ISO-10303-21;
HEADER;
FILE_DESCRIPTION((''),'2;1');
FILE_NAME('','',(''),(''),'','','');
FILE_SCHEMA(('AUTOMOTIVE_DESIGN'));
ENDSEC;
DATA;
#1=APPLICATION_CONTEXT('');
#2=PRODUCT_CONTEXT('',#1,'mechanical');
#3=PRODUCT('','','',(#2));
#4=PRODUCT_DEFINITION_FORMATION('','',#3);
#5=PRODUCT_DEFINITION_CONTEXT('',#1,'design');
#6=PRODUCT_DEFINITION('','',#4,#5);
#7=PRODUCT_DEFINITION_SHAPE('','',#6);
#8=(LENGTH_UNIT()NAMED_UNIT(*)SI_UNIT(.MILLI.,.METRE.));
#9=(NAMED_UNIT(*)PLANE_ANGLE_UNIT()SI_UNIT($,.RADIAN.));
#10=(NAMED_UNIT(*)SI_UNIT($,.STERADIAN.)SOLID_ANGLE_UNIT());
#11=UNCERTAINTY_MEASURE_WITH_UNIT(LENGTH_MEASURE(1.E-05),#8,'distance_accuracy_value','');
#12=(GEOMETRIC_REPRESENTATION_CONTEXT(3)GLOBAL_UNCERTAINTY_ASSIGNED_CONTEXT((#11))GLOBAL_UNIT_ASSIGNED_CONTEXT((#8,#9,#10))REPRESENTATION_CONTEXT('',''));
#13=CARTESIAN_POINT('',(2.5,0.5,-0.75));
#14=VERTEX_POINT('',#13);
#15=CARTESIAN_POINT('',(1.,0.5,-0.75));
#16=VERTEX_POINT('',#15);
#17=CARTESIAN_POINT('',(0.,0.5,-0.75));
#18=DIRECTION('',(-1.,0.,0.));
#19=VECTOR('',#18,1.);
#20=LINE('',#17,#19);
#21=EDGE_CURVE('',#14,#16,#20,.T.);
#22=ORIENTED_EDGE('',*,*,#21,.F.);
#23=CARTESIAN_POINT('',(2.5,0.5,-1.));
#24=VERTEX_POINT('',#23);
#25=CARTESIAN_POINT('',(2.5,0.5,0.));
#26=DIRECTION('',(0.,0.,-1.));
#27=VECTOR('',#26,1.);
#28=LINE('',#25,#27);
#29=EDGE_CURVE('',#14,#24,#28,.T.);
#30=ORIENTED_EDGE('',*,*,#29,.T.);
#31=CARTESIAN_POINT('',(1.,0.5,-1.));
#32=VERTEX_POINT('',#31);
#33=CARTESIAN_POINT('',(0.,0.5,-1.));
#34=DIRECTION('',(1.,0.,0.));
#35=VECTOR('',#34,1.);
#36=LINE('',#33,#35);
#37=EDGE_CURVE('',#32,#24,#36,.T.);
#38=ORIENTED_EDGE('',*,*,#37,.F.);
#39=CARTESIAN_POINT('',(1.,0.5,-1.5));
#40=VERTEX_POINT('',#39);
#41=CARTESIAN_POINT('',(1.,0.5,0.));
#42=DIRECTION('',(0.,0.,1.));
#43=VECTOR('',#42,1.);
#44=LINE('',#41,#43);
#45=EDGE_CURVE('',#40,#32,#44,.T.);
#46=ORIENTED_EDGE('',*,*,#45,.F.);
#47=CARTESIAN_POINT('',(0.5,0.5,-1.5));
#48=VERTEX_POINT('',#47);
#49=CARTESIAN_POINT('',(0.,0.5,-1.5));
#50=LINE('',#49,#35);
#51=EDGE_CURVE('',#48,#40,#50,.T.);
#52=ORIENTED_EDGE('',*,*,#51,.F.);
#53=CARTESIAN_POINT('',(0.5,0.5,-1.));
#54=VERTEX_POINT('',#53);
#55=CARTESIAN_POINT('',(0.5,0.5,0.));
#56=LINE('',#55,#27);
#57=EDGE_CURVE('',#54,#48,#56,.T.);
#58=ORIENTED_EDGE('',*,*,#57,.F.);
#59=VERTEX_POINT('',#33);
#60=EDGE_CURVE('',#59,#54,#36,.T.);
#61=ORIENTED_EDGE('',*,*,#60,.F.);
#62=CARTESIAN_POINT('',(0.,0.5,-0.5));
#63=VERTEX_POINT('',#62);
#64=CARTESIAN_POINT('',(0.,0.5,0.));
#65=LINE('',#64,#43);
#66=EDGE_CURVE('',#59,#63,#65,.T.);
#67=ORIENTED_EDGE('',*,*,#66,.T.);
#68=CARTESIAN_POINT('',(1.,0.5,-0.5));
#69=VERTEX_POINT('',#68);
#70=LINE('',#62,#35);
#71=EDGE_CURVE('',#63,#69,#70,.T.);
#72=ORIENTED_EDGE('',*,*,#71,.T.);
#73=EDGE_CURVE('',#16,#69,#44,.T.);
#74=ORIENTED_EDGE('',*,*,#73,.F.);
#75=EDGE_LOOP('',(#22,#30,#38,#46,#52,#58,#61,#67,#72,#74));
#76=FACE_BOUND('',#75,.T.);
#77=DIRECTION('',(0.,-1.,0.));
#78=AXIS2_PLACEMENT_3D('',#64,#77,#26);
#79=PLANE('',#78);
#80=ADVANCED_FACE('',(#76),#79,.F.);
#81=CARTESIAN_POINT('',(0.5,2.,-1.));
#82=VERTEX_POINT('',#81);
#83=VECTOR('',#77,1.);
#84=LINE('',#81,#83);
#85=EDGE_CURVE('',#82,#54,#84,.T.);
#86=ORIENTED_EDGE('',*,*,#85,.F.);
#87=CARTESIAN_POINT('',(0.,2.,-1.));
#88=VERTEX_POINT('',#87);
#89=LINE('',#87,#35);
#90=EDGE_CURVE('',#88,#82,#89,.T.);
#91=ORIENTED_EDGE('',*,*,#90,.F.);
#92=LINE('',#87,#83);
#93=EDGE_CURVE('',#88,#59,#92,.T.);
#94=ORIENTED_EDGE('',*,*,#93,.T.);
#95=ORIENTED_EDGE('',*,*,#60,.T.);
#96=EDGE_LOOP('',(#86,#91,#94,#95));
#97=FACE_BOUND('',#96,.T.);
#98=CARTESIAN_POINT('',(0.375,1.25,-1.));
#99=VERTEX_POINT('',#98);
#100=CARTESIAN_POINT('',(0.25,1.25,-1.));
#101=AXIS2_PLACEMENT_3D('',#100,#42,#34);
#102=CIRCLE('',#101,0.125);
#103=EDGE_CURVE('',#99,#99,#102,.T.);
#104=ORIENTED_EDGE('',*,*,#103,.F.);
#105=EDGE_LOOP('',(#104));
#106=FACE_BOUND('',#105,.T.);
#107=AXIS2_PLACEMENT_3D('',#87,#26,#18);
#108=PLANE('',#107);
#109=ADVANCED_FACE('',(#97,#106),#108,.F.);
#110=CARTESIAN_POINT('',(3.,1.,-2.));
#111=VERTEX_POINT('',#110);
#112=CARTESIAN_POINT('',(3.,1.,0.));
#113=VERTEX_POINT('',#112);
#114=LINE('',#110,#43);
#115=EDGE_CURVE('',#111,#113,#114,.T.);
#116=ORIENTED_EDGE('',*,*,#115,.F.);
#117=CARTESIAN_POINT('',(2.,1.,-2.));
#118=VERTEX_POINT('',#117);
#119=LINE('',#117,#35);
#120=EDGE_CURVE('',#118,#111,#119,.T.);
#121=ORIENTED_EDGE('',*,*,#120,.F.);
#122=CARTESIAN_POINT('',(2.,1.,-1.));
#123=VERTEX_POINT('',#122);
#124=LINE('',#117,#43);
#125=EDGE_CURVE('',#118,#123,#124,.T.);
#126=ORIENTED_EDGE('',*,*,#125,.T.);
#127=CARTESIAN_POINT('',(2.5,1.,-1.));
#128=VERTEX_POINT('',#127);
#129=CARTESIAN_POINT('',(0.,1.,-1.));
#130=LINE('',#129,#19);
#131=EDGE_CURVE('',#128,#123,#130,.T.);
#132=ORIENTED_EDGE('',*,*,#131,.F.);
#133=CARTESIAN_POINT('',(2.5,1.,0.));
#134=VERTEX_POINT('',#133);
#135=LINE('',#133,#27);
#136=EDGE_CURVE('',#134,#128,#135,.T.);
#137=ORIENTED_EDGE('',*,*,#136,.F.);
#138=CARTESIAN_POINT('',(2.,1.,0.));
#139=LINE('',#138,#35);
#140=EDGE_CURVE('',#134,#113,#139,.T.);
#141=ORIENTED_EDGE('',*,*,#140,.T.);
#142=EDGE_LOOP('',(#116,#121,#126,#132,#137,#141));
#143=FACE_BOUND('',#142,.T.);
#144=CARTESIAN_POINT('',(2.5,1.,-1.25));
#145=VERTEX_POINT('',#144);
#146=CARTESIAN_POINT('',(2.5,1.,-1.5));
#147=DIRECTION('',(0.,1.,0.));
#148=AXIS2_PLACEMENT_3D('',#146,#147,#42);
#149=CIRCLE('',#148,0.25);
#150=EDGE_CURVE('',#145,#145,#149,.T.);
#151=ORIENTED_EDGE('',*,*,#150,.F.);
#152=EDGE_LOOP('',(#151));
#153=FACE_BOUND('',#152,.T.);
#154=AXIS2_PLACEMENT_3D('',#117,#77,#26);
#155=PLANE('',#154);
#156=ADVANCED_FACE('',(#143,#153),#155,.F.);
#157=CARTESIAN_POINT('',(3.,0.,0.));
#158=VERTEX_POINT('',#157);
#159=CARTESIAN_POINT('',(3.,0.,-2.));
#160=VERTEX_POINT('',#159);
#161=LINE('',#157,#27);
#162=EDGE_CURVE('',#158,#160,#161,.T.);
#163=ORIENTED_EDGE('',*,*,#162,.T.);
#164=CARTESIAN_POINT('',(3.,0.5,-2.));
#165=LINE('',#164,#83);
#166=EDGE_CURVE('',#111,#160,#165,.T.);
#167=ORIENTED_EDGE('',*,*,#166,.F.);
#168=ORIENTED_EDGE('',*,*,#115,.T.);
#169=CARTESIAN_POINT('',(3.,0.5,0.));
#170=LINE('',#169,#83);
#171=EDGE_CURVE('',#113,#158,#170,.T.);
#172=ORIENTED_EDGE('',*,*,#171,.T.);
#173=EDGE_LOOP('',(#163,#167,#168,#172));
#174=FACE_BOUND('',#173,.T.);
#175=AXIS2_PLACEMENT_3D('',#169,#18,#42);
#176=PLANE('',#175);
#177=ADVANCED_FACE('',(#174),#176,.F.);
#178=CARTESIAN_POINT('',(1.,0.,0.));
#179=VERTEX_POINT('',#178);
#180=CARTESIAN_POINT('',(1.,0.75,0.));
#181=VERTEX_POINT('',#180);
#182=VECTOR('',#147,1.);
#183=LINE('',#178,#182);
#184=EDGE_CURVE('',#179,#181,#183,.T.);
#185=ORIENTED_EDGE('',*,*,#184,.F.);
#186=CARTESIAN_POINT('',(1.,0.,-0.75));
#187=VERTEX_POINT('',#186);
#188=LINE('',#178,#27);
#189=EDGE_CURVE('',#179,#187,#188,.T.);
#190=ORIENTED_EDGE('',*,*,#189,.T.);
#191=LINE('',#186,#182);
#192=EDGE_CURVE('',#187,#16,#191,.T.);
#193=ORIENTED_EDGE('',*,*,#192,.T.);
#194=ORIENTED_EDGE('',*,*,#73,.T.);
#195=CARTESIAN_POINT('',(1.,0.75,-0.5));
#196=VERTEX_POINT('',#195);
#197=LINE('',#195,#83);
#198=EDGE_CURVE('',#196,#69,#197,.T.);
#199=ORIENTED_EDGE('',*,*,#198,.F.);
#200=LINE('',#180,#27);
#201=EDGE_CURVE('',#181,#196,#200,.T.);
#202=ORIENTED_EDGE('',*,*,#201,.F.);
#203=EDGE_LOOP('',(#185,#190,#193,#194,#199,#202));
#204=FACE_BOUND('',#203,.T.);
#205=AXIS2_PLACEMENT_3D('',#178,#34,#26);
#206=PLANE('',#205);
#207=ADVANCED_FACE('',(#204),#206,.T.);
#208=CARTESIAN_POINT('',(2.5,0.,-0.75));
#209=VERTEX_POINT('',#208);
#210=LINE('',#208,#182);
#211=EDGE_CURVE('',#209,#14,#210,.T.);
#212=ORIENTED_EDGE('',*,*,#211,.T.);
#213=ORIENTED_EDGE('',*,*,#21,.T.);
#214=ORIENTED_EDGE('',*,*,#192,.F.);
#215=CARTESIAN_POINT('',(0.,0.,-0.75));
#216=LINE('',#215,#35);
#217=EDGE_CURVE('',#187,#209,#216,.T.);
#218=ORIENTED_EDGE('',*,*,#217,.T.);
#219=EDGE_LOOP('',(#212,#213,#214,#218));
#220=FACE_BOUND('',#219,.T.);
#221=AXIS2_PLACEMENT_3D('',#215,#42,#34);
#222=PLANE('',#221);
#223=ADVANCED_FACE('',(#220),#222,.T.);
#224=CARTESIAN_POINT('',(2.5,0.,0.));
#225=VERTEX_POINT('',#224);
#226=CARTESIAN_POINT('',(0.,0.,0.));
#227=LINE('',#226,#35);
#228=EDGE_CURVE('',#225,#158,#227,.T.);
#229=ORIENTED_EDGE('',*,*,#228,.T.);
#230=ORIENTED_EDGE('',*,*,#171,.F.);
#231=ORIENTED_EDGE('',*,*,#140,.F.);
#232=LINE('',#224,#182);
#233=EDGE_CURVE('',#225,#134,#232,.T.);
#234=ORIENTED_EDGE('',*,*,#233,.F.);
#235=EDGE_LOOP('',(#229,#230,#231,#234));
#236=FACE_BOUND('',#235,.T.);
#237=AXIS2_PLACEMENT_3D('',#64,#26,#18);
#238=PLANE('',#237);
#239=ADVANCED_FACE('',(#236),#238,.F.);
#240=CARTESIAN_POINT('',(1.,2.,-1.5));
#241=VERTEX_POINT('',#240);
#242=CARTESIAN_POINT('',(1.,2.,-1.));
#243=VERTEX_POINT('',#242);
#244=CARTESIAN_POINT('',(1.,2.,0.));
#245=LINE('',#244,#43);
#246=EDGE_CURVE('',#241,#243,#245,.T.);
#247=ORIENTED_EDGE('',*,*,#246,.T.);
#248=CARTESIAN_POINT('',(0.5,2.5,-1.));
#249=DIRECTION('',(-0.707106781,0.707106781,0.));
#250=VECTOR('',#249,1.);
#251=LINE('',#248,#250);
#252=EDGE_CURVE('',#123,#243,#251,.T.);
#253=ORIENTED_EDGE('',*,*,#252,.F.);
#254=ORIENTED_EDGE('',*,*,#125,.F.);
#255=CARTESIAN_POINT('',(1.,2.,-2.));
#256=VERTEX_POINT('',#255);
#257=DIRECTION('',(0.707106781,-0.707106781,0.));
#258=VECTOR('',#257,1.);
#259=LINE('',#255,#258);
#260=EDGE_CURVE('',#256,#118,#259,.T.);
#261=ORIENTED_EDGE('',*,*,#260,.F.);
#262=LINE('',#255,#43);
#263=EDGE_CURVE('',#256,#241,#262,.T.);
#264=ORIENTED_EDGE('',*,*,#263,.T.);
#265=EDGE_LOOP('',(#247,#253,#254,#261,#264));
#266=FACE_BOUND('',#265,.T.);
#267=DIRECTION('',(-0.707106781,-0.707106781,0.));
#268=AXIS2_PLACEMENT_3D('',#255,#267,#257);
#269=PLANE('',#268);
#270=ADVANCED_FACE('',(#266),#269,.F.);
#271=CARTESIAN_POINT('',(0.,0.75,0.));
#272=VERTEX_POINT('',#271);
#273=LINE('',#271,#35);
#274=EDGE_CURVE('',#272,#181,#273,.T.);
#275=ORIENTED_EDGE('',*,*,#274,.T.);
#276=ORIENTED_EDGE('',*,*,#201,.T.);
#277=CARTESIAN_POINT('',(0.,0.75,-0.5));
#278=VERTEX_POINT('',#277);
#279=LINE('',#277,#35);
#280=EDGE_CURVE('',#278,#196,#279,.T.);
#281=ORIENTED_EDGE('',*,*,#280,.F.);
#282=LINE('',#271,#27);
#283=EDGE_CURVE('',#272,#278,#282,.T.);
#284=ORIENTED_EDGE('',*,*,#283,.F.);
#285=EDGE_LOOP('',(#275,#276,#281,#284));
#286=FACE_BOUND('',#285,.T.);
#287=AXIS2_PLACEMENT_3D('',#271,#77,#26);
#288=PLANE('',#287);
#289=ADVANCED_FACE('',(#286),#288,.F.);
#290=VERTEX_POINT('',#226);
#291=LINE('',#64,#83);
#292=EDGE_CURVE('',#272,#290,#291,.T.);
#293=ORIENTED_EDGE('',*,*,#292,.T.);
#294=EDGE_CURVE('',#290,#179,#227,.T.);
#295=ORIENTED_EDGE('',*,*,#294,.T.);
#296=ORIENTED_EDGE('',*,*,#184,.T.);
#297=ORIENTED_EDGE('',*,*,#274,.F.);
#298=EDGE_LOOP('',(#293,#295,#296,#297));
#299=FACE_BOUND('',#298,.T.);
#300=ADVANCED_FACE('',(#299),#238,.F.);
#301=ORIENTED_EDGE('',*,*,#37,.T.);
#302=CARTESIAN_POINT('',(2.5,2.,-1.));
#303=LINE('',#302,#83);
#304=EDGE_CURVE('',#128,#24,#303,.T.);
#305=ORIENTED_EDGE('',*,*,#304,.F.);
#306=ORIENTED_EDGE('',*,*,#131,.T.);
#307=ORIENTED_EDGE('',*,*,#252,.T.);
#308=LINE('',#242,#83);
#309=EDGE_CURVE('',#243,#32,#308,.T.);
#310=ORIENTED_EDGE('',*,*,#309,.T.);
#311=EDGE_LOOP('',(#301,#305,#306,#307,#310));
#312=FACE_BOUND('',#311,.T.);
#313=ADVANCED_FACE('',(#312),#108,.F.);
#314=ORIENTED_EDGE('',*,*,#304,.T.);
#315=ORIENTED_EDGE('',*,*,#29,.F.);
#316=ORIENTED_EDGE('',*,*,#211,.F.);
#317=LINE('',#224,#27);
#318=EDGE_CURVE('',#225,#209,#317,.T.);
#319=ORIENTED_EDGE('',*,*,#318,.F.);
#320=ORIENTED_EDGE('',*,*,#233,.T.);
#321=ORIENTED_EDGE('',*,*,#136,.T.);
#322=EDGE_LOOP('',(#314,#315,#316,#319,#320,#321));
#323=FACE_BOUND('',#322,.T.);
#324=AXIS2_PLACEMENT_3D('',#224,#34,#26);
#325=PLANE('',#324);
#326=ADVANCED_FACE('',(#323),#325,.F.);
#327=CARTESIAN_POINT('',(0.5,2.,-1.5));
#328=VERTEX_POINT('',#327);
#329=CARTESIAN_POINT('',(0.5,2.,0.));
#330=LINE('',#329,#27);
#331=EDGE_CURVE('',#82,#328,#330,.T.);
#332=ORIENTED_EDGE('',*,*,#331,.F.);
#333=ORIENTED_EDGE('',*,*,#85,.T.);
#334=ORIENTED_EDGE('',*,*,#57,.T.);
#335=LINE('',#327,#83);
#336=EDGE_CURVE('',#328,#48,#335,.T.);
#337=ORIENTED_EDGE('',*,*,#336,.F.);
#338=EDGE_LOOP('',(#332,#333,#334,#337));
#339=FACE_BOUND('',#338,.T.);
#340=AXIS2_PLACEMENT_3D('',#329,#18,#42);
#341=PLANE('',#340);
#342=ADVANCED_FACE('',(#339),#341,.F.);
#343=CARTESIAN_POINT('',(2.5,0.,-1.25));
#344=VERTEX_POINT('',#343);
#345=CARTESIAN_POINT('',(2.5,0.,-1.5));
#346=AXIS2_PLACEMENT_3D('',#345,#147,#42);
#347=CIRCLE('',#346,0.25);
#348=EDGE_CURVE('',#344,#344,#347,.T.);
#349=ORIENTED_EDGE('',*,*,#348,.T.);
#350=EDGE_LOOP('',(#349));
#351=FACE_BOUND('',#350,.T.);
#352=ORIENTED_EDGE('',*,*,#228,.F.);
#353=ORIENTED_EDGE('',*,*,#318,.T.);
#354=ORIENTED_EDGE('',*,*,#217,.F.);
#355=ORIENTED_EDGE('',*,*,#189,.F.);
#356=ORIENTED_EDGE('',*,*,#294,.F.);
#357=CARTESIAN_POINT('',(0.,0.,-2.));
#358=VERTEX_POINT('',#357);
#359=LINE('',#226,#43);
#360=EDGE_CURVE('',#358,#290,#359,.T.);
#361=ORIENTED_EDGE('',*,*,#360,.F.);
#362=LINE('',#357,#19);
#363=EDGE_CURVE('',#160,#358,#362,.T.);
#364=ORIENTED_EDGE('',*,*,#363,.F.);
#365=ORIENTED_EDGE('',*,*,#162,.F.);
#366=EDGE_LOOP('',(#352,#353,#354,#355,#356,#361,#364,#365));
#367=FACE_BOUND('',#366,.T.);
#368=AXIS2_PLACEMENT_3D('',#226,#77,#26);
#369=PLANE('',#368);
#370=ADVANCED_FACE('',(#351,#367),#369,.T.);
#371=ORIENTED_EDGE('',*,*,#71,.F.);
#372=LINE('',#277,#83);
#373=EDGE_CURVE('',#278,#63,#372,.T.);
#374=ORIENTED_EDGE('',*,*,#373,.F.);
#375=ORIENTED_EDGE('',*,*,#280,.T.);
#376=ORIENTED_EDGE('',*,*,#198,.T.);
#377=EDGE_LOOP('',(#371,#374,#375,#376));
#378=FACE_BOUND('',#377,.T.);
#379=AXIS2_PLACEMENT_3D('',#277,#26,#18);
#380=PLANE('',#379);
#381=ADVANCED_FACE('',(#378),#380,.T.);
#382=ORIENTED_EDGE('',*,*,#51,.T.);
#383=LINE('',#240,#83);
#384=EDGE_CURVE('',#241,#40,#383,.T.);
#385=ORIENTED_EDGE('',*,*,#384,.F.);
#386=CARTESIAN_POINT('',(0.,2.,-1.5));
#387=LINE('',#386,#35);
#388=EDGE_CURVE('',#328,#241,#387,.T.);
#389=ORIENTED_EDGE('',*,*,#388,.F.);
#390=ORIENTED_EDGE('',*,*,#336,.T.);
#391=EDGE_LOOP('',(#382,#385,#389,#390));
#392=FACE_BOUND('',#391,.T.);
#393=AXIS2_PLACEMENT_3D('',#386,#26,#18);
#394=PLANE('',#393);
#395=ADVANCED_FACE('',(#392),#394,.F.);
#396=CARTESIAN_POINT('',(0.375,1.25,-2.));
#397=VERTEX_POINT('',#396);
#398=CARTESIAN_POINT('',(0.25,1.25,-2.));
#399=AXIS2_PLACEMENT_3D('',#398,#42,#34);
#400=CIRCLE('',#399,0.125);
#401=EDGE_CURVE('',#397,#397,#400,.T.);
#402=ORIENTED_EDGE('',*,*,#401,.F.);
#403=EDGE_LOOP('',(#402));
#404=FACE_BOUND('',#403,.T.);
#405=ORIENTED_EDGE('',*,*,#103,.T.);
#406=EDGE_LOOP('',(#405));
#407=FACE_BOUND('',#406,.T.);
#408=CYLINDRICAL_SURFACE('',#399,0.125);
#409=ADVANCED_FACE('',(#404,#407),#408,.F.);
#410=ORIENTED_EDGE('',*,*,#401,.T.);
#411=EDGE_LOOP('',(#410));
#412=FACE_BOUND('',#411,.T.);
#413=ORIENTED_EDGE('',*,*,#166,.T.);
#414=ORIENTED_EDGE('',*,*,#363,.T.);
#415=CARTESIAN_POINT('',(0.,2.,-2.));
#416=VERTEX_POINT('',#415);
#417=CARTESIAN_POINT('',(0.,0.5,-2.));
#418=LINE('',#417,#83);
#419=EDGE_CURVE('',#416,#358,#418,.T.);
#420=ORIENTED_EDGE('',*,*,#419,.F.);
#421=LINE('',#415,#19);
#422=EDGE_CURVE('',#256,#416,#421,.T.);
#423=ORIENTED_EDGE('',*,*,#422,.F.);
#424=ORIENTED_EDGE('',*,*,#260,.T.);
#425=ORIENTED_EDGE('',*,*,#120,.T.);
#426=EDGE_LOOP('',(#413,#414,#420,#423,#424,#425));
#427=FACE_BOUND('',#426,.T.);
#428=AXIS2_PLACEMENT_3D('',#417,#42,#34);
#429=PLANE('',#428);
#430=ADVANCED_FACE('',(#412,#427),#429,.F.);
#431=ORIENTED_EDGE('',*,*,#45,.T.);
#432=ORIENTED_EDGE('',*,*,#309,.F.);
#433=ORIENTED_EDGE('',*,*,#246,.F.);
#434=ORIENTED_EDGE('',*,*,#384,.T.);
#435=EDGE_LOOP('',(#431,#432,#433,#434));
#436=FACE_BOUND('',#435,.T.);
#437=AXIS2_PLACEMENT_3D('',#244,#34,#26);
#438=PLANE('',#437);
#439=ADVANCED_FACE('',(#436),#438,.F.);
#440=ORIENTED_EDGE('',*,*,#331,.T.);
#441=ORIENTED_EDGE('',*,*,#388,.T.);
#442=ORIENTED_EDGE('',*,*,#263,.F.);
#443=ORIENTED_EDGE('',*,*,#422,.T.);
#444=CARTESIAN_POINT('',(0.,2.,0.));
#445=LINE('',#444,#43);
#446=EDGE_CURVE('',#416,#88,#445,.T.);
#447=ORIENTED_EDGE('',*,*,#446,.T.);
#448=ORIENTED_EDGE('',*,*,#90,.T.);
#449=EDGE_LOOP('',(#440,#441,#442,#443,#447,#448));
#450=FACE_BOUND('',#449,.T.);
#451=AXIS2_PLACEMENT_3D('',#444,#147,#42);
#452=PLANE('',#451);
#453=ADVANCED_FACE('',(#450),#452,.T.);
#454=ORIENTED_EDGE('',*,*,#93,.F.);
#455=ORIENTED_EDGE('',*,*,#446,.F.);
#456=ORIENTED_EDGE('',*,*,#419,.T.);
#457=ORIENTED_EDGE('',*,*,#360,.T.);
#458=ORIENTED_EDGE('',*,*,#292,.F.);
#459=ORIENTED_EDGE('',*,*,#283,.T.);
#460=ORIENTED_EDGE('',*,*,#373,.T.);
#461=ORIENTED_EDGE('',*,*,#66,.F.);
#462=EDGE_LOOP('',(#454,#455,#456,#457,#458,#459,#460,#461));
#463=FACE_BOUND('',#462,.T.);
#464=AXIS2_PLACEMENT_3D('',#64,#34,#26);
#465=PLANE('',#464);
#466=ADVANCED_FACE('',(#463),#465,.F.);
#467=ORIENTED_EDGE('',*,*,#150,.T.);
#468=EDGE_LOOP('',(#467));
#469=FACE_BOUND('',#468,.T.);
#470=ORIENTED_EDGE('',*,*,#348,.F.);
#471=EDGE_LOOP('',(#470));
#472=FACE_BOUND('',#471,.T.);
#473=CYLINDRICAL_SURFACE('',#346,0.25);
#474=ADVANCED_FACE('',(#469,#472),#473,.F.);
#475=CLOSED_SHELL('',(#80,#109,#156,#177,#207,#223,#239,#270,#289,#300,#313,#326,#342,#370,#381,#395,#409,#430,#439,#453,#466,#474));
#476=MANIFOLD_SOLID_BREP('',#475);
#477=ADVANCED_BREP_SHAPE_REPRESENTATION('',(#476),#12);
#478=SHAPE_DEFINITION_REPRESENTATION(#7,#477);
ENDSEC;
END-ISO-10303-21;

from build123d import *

# Parameters (mm, degrees)
SKETCH1_W               = 3
SKETCH1_H               = 2
BOSS_EXTRUDE1_DEPTH     = 0.5
CUT_EXTRUDE4_DEPTH      = 4.640054945
CUT_EXTRUDE4_DEPTH_BACK = 4.640054945
SKETCH4_6_W             = 1
SKETCH4_6_H             = 0.5
BOSS_EXTRUDE2_DEPTH     = 0.25
BOSS_EXTRUDE3_DEPTH     = 1.5
CUT_EXTRUDE5_DEPTH      = 5.123105626
SKETCH9_R               = 0.25
CUT_EXTRUDE6_DEPTH      = 4.741657387
SKETCH10_R              = 0.125
CUT_EXTRUDE7_DEPTH      = 4.741657387


with BuildPart() as part:
    # Sketch1 → Boss-Extrude1 (new body)
    with BuildSketch(Plane(origin=(0, 0, 0), x_dir=(1, 0, 0), z_dir=(0, 1, 0))):
        with Locations((1.5, 1)):
            Rectangle(SKETCH1_W, SKETCH1_H)
    extrude(amount=BOSS_EXTRUDE1_DEPTH)

    # Sketch4 → Cut-Extrude4 (cut, two sides: drawn at the far end of the back side and taken through both)
    with BuildSketch(Plane(origin=(0, 0.5, 0), x_dir=(1, 0, 0), z_dir=(0, 1, 0)).offset(-CUT_EXTRUDE4_DEPTH_BACK)):
        Polygon((1, 0), (2.5, 0), (2.5, 0.75), (1, 0.75), (1, 0.5), align=None)
    extrude(amount=CUT_EXTRUDE4_DEPTH + CUT_EXTRUDE4_DEPTH_BACK, mode=Mode.SUBTRACT)

    # Sketch4<6> → Boss-Extrude2 (add)
    with BuildSketch(Plane(origin=(0, 0.5, 0), x_dir=(1, 0, 0), z_dir=(0, 1, 0))):
        with Locations((0.5, 0.25)):
            Rectangle(SKETCH4_6_W, SKETCH4_6_H)
    extrude(amount=BOSS_EXTRUDE2_DEPTH)

    # Sketch4<9> → Boss-Extrude3 (add)
    with BuildSketch(Plane(origin=(0, 0.5, 0), x_dir=(1, 0, 0), z_dir=(0, 1, 0))):
        Polygon((0, 2), (0, 1), (0.5, 1), (0.5, 1.5), (1, 1.5), (1, 1), (2.5, 1), (2.5, 0), (3, 0), (3, 2), align=None)
    extrude(amount=BOSS_EXTRUDE3_DEPTH)

    # Sketch8 → Cut-Extrude5 (cut, through all)
    with BuildSketch(Plane.XY):
        Polygon((1, 2), (2, 1), (3, 1), (3, 2), align=None)
    extrude(amount=-CUT_EXTRUDE5_DEPTH, mode=Mode.SUBTRACT)

    # Sketch9 → Cut-Extrude6 (cut, through all)
    with BuildSketch(Plane(origin=(0, 1, 0), x_dir=(1, 0, 0), z_dir=(0, 1, 0))):
        with Locations((2.5, 1.5)):
            Circle(SKETCH9_R)
    extrude(amount=-CUT_EXTRUDE6_DEPTH, mode=Mode.SUBTRACT)

    # Sketch10 → Cut-Extrude7 (cut, through all)
    with BuildSketch(Plane.XY.offset(-1)):
        with Locations((0.25, 1.25)):
            Circle(SKETCH10_R)
    extrude(amount=-CUT_EXTRUDE7_DEPTH, mode=Mode.SUBTRACT)


solid = part.part
